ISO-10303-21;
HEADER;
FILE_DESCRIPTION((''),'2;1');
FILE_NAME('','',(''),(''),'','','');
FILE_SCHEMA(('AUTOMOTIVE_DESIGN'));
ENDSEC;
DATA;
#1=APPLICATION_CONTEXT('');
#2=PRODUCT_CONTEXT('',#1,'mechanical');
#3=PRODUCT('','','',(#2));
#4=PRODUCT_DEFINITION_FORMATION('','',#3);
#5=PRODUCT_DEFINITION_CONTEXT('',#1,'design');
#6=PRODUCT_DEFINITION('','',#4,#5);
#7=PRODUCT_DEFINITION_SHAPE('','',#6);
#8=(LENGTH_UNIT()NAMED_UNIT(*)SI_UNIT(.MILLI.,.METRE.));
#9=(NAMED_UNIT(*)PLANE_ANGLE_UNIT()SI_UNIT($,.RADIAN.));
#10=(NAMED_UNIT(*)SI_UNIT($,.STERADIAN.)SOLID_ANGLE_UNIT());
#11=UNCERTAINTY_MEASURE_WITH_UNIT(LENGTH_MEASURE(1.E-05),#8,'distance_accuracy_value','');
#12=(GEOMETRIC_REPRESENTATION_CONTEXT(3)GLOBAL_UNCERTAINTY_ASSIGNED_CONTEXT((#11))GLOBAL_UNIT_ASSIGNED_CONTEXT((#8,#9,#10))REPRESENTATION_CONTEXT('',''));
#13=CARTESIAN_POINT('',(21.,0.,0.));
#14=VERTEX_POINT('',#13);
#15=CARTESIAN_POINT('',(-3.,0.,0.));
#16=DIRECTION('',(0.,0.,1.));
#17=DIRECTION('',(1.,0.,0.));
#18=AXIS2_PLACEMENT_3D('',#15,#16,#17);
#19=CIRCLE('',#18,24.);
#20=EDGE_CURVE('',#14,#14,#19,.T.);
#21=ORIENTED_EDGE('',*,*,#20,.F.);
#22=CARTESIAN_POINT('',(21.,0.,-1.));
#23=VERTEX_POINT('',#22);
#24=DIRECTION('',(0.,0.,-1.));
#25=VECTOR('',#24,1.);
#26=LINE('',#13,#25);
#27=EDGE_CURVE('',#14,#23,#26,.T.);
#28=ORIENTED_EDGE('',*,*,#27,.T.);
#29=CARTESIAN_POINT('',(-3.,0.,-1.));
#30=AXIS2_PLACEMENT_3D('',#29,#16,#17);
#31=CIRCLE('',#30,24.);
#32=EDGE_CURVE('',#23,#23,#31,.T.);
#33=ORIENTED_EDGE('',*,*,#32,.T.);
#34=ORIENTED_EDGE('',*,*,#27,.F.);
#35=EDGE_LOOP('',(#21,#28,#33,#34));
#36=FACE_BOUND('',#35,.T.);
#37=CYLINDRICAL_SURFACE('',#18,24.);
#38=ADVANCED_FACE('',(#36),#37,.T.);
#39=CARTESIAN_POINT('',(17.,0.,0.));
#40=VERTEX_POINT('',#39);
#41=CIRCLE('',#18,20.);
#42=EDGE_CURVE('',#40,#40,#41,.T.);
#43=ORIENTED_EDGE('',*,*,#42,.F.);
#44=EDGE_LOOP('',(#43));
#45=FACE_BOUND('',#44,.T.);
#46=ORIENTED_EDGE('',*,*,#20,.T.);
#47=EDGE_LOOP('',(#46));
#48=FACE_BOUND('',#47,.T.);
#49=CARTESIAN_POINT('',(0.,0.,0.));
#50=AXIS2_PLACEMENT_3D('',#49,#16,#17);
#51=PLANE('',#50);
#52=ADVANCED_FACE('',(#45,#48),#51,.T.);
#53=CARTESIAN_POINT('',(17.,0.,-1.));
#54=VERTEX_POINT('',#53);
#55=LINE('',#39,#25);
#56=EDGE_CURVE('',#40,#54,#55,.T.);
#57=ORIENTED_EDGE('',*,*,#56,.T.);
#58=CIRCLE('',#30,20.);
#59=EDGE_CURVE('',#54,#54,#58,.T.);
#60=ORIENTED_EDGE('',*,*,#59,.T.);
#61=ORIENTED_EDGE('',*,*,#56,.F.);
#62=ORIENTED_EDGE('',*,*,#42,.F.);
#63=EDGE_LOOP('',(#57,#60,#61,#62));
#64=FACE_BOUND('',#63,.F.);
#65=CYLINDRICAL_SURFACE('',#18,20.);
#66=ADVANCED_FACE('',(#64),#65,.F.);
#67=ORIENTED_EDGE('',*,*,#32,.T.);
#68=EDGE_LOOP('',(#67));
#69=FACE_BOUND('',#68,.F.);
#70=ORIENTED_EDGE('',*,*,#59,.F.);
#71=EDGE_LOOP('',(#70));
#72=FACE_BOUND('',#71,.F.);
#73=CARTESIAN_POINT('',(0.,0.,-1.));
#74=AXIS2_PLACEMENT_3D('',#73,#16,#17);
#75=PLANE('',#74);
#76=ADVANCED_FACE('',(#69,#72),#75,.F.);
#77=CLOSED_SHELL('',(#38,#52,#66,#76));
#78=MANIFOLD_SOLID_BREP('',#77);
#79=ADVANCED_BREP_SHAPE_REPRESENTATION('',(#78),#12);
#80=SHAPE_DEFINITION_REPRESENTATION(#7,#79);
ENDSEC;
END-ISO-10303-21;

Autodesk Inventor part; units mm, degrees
ref_plane "YZ Plane" through (0, 0, 0) normal (1, 0, 0) x (0, 1, 0)
ref_plane "XZ Plane" through (0, 0, 0) normal (0, 1, 0) x (-1, 0, 0)
sketch "Sketch1" plane through (0, 0, 0) normal (0, 0, 1) x (1, 0, 0)
  line L0 (-60, 40) -> (60, 40) projected
  line L1 (-60, -40) -> (-60, 40) projected
  line L2 (-60, -40) -> (60, -40) projected
  line L3 (60, 40) -> (60, -40) projected
  circle A0 centre (-46, -15) radius 2 projected
  circle A1 centre (-46, 15) radius 2 projected
  circle A2 centre (-46, 5) radius 2 projected
  circle A3 centre (-46, -5) radius 2 projected
  circle A4 centre (-3, 0) radius 24 projected
  line L4 (-38.25, 16.5) -> (-38.25, -16.5) projected
  arc A5 (-37.25, 17.5) -> (-38.25, 16.5) centre (-37.25, 16.5) ccw projected
  line L5 (-36.75, 17.5) -> (-37.25, 17.5) projected
  arc A6 (-35.75, 16.5) -> (-36.75, 17.5) centre (-36.75, 16.5) ccw projected
  line L6 (-35.75, -16.5) -> (-35.75, 16.5) projected
  arc A7 (-36.75, -17.5) -> (-35.75, -16.5) centre (-36.75, -16.5) ccw projected
  line L7 (-37.25, -17.5) -> (-36.75, -17.5) projected
  arc A8 (-38.25, -16.5) -> (-37.25, -17.5) centre (-37.25, -16.5) ccw projected
  arc A9 (47, 6.4964) -> (46.6925, 7.2389) centre (45.95, 6.4964) ccw projected
  line L8 (47, 1.3036) -> (47, 6.4964) projected
  arc A10 (46.6925, 0.5611) -> (47, 1.3036) centre (45.95, 1.3036) ccw projected
  line L9 (46.0889, -0.0425) -> (46.6925, 0.5611) projected
  arc A11 (45.3464, -0.35) -> (46.0889, -0.0425) centre (45.3464, 0.7) ccw projected
  line L10 (44.6, -0.35) -> (45.3464, -0.35) projected
  arc A12 (43.55, 0.7) -> (44.6, -0.35) centre (44.6, 0.7) ccw projected
  line L11 (43.55, 7.1) -> (43.55, 0.7) projected
  arc A13 (44.6, 8.15) -> (43.55, 7.1) centre (44.6, 7.1) ccw projected
  line L12 (45.3464, 8.15) -> (44.6, 8.15) projected
  arc A14 (46.0889, 7.8425) -> (45.3464, 8.15) centre (45.3464, 7.1) ccw projected
  line L13 (46.6925, 7.2389) -> (46.0889, 7.8425) projected
  arc A15 (46.0889, 20.4425) -> (45.3464, 20.75) centre (45.3464, 19.7) ccw projected
  line L14 (46.6925, 19.8389) -> (46.0889, 20.4425) projected
  arc A16 (47, 19.0964) -> (46.6925, 19.8389) centre (45.95, 19.0964) ccw projected
  line L15 (47, 13.9036) -> (47, 19.0964) projected
  arc A17 (46.6925, 13.1611) -> (47, 13.9036) centre (45.95, 13.9036) ccw projected
  line L16 (46.0889, 12.5575) -> (46.6925, 13.1611) projected
  arc A18 (45.3464, 12.25) -> (46.0889, 12.5575) centre (45.3464, 13.3) ccw projected
  line L17 (44.6, 12.25) -> (45.3464, 12.25) projected
  arc A19 (43.55, 13.3) -> (44.6, 12.25) centre (44.6, 13.3) ccw projected
  line L18 (43.55, 19.7) -> (43.55, 13.3) projected
  arc A20 (44.6, 20.75) -> (43.55, 19.7) centre (44.6, 19.7) ccw projected
  line L19 (45.3464, 20.75) -> (44.6, 20.75) projected
  arc A21 (44.9066, -31.2) -> (45.7117, -30.824) centre (44.9066, -30.15) ccw projected
  line L20 (43.6, -31.2) -> (44.9066, -31.2) projected
  arc A22 (42.55, -30.15) -> (43.6, -31.2) centre (43.6, -30.15) ccw projected
  line L21 (42.55, -20.05) -> (42.55, -30.15) projected
  arc A23 (43.6, -19) -> (42.55, -20.05) centre (43.6, -20.05) ccw projected
  line L22 (44.9066, -19) -> (43.6, -19) projected
  arc A24 (45.7117, -19.376) -> (44.9066, -19) centre (44.9066, -20.05) ccw projected
  line L23 (46.5051, -20.3236) -> (45.7117, -19.376) projected
  arc A25 (46.75, -20.9977) -> (46.5051, -20.3236) centre (45.7, -20.9977) ccw projected
  line L24 (46.75, -29.2023) -> (46.75, -20.9977) projected
  arc A26 (46.5051, -29.8764) -> (46.75, -29.2023) centre (45.7, -29.2023) ccw projected
  line L25 (45.7117, -30.824) -> (46.5051, -29.8764) projected
  circle A27 centre (-3, 0) radius 20 projected
  line L26 (-4.9829, -16.5206) -> (-5.9278, -12.5763) projected
  arc A28 (-13.0313, -14.3378) -> (-4.9829, -16.5206) centre (-5.3347, -1.8882) ccw projected
  line L27 (-9.9103, -11.5424) -> (-13.0313, -14.3378) projected
  arc A29 (-9.9103, -11.5424) -> (-5.9278, -12.5763) centre (-5.7132, -3.5627) ccw projected
  arc A30 (-0.0919, -15.9071) -> (7.2747, -11.8475) centre (-2.7237, -2.4177) ccw projected
  line L28 (0.3082, -11.9887) -> (-0.0919, -15.9071) projected
  arc A31 (0.3082, -11.9887) -> (4.4034, -9.8705) centre (-1.64, -3.2044) ccw projected
  line L29 (7.2747, -11.8475) -> (4.4034, -9.8705) projected
  arc A32 (10.3584, -7.8183) -> (12.5975, 0.4235) centre (-1.6873, -0.1207) ccw projected
  line L30 (8.4528, -5.5316) -> (10.3584, -7.8183) projected
  arc A33 (8.4528, -5.5316) -> (10.3584, -0.1207) centre (-1.1936, 0.9067) ccw projected
  line L31 (12.5975, 0.4235) -> (10.3584, -0.1207) projected
  line L32 (-1.0171, 17.2737) -> (-1.0171, 0) projected
  line L33 (2.6726, 16.143) -> (-1.0171, 17.2737) projected
  line L34 (2.6726, -1.2301) -> (2.6726, 16.143) projected
  arc A34 (-7.7609, -3.017) -> (2.6726, -1.2301) centre (-2.6972, -1.2301) ccw projected
  line L35 (-15.8062, -12.4229) -> (-7.7609, -3.017) projected
  line L36 (-15.8062, -6.1523) -> (-15.8062, -12.4229) projected
  line L37 (-4.9829, 7.2171) -> (-15.8062, -6.1523) projected
  line L38 (-4.9829, 0) -> (-4.9829, 7.2171) projected
  arc A35 (-4.9829, 0) -> (-1.0171, 0) centre (-3, 0) ccw projected
  arc A36 (10.1212, 5.2642) -> (7.032, 13.5602) centre (-5.4227, 4.1993) ccw projected
  arc A37 (11.8645, 5.2642) -> (7.032, 13.5602) centre (-3, 2.1609) ccw projected
  line L39 (10.1212, 5.2642) -> (11.8645, 5.2642) projected
  arc A38 (-4.9829, 17.8118) -> (-20.0222, -7.6009) centre (-4.1256, 0.1479) ccw projected
  line L40 (-4.9829, 13.5892) -> (-4.9829, 17.8118) projected
  arc A39 (-4.9829, 13.5892) -> (-20.0222, -7.6009) centre (-5.2399, -2.1604) ccw projected
  point P0 (0, 0)
ref_plane "Work Plane1" through (-58, -38, -1) normal (0, 0, -1) x (0, 1, 0)
extrude "Extrusion1" add sketch "Sketch1" against normal up to surface (1 mm away) contours A4
properties part number "Round_window"
